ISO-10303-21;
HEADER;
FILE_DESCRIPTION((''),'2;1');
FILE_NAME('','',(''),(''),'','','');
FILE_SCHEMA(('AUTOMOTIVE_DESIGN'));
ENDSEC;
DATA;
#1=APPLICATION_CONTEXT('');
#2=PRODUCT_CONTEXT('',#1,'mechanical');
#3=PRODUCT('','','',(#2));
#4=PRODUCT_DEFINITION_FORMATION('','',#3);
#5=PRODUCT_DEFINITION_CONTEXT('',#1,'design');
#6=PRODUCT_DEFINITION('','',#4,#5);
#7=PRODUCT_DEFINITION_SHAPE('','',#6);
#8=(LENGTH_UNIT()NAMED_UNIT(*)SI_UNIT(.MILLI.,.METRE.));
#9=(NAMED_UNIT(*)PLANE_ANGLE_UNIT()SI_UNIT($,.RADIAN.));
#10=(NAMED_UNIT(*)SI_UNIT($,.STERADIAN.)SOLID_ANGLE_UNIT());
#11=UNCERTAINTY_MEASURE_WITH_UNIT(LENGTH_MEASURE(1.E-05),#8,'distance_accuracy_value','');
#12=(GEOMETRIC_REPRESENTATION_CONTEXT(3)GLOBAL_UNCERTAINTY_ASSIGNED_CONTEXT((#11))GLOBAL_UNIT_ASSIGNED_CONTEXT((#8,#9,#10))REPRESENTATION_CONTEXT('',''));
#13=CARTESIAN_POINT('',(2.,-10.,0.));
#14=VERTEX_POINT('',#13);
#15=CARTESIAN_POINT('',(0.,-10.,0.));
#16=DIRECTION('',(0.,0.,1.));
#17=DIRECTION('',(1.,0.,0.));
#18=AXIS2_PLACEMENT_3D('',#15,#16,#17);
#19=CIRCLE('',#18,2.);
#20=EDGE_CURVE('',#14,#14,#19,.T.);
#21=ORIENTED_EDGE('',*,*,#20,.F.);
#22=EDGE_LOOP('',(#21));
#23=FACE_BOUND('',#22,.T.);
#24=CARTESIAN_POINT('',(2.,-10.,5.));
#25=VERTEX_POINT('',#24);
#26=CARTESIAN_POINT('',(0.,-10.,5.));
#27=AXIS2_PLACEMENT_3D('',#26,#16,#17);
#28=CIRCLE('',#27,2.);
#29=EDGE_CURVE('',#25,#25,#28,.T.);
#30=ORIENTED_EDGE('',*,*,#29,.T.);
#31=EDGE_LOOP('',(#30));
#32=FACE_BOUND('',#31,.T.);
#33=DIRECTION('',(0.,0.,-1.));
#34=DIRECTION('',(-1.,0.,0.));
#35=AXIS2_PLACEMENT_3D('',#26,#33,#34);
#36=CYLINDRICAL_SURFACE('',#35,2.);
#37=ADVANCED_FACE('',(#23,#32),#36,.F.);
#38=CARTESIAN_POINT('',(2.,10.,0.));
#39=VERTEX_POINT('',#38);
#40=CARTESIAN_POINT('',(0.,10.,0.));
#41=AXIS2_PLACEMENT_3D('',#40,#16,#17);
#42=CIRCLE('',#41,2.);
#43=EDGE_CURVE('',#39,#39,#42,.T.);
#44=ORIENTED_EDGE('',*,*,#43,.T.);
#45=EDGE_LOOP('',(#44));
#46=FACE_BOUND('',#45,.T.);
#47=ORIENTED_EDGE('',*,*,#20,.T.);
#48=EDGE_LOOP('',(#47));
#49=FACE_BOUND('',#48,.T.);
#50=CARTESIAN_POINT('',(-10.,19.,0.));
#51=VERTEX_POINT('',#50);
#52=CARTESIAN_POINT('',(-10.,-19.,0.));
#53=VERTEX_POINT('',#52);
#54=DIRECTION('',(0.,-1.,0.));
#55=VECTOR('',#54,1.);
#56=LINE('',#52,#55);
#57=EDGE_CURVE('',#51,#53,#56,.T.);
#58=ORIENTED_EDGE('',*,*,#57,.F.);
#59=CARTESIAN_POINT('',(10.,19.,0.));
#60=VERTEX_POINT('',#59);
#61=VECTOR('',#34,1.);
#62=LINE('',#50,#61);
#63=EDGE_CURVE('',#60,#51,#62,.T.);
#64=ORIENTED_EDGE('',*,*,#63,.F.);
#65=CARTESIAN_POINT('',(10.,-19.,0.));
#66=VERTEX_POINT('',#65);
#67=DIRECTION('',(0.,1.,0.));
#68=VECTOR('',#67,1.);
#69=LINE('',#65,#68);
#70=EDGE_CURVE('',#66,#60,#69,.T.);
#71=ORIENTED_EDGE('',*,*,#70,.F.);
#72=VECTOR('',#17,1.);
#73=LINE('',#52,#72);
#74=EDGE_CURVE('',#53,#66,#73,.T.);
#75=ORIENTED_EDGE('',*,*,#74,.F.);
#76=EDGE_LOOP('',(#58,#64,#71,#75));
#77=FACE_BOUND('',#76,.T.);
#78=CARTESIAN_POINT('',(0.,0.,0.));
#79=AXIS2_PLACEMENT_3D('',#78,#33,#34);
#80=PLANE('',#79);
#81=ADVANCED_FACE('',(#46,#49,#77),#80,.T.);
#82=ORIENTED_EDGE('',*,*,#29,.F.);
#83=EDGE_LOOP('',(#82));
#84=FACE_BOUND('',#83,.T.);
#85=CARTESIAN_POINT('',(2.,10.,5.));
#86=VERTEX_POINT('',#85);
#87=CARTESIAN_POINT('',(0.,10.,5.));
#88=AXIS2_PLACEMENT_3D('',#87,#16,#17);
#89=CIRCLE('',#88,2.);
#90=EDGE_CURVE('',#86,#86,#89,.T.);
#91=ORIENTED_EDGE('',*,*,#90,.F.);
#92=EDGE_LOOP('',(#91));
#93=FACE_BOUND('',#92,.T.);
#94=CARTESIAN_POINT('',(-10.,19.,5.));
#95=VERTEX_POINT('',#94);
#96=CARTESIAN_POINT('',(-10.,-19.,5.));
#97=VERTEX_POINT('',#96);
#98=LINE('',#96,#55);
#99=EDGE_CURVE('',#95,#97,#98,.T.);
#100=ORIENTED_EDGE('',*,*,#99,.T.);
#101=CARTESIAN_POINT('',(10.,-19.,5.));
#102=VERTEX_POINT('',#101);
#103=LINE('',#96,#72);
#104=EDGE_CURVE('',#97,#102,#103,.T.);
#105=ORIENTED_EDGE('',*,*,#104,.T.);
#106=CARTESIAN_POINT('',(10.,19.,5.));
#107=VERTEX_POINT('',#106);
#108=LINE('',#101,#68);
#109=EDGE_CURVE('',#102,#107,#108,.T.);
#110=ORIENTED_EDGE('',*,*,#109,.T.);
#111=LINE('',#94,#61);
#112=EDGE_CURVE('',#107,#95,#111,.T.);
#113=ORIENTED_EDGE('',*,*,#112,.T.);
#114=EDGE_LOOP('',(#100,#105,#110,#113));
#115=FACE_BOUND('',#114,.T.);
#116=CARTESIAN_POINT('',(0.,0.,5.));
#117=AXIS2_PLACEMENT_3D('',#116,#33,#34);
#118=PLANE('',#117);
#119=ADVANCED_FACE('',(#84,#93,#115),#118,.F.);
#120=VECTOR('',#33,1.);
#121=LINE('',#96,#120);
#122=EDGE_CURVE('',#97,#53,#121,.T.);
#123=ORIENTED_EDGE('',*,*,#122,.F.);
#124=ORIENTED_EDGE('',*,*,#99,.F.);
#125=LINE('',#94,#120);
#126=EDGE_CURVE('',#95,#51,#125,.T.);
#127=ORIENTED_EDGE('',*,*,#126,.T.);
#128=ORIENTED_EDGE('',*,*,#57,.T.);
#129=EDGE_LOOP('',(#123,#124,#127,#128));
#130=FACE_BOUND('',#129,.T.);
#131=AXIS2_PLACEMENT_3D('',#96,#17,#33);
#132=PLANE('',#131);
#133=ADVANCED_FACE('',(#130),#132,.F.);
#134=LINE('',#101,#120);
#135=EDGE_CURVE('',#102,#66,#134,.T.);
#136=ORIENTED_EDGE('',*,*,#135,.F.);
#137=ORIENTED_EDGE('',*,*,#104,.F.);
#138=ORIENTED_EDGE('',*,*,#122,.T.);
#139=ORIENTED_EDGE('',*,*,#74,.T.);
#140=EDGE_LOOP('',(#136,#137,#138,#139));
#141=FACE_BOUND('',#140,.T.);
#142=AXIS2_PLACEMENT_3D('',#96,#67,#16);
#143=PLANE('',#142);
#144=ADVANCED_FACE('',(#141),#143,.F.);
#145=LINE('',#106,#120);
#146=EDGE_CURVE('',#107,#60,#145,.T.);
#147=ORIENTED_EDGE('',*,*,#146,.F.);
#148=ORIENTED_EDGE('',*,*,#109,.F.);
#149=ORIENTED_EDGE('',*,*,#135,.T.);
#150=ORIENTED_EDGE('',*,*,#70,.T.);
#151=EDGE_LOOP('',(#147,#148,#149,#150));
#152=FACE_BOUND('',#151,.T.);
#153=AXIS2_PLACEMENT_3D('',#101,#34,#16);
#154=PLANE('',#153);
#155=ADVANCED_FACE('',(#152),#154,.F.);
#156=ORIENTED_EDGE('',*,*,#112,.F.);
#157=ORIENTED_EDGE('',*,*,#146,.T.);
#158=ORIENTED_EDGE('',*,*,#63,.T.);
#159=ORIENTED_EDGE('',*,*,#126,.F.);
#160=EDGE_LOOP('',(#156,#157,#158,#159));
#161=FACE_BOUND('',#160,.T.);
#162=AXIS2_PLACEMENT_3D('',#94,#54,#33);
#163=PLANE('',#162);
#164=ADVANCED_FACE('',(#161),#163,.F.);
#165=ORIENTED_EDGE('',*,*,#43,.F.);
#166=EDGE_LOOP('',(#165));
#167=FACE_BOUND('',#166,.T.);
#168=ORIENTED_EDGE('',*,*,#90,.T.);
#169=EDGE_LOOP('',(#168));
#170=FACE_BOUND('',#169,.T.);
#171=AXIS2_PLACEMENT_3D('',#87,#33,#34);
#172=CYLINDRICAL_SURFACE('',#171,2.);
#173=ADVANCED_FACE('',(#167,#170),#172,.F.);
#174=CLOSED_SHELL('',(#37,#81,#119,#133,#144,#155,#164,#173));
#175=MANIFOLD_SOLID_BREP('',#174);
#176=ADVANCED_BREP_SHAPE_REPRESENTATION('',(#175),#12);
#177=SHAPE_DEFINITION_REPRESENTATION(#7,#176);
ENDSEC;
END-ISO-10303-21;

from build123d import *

# Parameters (mm, degrees)
SKETCH1_W           = 20
SKETCH1_H           = 38
SKETCH1_R           = 2
BOSS_EXTRUDE1_DEPTH = 5


with BuildPart() as part:
    # Sketch1 → Boss-Extrude1 (new body)
    with BuildSketch(Plane.XY):
        Rectangle(SKETCH1_W, SKETCH1_H)
        with Locations((0, 10)):
            Circle(SKETCH1_R, mode=Mode.SUBTRACT)
        with Locations((0, -10)):
            Circle(SKETCH1_R, mode=Mode.SUBTRACT)
    extrude(amount=BOSS_EXTRUDE1_DEPTH)


solid = part.part
